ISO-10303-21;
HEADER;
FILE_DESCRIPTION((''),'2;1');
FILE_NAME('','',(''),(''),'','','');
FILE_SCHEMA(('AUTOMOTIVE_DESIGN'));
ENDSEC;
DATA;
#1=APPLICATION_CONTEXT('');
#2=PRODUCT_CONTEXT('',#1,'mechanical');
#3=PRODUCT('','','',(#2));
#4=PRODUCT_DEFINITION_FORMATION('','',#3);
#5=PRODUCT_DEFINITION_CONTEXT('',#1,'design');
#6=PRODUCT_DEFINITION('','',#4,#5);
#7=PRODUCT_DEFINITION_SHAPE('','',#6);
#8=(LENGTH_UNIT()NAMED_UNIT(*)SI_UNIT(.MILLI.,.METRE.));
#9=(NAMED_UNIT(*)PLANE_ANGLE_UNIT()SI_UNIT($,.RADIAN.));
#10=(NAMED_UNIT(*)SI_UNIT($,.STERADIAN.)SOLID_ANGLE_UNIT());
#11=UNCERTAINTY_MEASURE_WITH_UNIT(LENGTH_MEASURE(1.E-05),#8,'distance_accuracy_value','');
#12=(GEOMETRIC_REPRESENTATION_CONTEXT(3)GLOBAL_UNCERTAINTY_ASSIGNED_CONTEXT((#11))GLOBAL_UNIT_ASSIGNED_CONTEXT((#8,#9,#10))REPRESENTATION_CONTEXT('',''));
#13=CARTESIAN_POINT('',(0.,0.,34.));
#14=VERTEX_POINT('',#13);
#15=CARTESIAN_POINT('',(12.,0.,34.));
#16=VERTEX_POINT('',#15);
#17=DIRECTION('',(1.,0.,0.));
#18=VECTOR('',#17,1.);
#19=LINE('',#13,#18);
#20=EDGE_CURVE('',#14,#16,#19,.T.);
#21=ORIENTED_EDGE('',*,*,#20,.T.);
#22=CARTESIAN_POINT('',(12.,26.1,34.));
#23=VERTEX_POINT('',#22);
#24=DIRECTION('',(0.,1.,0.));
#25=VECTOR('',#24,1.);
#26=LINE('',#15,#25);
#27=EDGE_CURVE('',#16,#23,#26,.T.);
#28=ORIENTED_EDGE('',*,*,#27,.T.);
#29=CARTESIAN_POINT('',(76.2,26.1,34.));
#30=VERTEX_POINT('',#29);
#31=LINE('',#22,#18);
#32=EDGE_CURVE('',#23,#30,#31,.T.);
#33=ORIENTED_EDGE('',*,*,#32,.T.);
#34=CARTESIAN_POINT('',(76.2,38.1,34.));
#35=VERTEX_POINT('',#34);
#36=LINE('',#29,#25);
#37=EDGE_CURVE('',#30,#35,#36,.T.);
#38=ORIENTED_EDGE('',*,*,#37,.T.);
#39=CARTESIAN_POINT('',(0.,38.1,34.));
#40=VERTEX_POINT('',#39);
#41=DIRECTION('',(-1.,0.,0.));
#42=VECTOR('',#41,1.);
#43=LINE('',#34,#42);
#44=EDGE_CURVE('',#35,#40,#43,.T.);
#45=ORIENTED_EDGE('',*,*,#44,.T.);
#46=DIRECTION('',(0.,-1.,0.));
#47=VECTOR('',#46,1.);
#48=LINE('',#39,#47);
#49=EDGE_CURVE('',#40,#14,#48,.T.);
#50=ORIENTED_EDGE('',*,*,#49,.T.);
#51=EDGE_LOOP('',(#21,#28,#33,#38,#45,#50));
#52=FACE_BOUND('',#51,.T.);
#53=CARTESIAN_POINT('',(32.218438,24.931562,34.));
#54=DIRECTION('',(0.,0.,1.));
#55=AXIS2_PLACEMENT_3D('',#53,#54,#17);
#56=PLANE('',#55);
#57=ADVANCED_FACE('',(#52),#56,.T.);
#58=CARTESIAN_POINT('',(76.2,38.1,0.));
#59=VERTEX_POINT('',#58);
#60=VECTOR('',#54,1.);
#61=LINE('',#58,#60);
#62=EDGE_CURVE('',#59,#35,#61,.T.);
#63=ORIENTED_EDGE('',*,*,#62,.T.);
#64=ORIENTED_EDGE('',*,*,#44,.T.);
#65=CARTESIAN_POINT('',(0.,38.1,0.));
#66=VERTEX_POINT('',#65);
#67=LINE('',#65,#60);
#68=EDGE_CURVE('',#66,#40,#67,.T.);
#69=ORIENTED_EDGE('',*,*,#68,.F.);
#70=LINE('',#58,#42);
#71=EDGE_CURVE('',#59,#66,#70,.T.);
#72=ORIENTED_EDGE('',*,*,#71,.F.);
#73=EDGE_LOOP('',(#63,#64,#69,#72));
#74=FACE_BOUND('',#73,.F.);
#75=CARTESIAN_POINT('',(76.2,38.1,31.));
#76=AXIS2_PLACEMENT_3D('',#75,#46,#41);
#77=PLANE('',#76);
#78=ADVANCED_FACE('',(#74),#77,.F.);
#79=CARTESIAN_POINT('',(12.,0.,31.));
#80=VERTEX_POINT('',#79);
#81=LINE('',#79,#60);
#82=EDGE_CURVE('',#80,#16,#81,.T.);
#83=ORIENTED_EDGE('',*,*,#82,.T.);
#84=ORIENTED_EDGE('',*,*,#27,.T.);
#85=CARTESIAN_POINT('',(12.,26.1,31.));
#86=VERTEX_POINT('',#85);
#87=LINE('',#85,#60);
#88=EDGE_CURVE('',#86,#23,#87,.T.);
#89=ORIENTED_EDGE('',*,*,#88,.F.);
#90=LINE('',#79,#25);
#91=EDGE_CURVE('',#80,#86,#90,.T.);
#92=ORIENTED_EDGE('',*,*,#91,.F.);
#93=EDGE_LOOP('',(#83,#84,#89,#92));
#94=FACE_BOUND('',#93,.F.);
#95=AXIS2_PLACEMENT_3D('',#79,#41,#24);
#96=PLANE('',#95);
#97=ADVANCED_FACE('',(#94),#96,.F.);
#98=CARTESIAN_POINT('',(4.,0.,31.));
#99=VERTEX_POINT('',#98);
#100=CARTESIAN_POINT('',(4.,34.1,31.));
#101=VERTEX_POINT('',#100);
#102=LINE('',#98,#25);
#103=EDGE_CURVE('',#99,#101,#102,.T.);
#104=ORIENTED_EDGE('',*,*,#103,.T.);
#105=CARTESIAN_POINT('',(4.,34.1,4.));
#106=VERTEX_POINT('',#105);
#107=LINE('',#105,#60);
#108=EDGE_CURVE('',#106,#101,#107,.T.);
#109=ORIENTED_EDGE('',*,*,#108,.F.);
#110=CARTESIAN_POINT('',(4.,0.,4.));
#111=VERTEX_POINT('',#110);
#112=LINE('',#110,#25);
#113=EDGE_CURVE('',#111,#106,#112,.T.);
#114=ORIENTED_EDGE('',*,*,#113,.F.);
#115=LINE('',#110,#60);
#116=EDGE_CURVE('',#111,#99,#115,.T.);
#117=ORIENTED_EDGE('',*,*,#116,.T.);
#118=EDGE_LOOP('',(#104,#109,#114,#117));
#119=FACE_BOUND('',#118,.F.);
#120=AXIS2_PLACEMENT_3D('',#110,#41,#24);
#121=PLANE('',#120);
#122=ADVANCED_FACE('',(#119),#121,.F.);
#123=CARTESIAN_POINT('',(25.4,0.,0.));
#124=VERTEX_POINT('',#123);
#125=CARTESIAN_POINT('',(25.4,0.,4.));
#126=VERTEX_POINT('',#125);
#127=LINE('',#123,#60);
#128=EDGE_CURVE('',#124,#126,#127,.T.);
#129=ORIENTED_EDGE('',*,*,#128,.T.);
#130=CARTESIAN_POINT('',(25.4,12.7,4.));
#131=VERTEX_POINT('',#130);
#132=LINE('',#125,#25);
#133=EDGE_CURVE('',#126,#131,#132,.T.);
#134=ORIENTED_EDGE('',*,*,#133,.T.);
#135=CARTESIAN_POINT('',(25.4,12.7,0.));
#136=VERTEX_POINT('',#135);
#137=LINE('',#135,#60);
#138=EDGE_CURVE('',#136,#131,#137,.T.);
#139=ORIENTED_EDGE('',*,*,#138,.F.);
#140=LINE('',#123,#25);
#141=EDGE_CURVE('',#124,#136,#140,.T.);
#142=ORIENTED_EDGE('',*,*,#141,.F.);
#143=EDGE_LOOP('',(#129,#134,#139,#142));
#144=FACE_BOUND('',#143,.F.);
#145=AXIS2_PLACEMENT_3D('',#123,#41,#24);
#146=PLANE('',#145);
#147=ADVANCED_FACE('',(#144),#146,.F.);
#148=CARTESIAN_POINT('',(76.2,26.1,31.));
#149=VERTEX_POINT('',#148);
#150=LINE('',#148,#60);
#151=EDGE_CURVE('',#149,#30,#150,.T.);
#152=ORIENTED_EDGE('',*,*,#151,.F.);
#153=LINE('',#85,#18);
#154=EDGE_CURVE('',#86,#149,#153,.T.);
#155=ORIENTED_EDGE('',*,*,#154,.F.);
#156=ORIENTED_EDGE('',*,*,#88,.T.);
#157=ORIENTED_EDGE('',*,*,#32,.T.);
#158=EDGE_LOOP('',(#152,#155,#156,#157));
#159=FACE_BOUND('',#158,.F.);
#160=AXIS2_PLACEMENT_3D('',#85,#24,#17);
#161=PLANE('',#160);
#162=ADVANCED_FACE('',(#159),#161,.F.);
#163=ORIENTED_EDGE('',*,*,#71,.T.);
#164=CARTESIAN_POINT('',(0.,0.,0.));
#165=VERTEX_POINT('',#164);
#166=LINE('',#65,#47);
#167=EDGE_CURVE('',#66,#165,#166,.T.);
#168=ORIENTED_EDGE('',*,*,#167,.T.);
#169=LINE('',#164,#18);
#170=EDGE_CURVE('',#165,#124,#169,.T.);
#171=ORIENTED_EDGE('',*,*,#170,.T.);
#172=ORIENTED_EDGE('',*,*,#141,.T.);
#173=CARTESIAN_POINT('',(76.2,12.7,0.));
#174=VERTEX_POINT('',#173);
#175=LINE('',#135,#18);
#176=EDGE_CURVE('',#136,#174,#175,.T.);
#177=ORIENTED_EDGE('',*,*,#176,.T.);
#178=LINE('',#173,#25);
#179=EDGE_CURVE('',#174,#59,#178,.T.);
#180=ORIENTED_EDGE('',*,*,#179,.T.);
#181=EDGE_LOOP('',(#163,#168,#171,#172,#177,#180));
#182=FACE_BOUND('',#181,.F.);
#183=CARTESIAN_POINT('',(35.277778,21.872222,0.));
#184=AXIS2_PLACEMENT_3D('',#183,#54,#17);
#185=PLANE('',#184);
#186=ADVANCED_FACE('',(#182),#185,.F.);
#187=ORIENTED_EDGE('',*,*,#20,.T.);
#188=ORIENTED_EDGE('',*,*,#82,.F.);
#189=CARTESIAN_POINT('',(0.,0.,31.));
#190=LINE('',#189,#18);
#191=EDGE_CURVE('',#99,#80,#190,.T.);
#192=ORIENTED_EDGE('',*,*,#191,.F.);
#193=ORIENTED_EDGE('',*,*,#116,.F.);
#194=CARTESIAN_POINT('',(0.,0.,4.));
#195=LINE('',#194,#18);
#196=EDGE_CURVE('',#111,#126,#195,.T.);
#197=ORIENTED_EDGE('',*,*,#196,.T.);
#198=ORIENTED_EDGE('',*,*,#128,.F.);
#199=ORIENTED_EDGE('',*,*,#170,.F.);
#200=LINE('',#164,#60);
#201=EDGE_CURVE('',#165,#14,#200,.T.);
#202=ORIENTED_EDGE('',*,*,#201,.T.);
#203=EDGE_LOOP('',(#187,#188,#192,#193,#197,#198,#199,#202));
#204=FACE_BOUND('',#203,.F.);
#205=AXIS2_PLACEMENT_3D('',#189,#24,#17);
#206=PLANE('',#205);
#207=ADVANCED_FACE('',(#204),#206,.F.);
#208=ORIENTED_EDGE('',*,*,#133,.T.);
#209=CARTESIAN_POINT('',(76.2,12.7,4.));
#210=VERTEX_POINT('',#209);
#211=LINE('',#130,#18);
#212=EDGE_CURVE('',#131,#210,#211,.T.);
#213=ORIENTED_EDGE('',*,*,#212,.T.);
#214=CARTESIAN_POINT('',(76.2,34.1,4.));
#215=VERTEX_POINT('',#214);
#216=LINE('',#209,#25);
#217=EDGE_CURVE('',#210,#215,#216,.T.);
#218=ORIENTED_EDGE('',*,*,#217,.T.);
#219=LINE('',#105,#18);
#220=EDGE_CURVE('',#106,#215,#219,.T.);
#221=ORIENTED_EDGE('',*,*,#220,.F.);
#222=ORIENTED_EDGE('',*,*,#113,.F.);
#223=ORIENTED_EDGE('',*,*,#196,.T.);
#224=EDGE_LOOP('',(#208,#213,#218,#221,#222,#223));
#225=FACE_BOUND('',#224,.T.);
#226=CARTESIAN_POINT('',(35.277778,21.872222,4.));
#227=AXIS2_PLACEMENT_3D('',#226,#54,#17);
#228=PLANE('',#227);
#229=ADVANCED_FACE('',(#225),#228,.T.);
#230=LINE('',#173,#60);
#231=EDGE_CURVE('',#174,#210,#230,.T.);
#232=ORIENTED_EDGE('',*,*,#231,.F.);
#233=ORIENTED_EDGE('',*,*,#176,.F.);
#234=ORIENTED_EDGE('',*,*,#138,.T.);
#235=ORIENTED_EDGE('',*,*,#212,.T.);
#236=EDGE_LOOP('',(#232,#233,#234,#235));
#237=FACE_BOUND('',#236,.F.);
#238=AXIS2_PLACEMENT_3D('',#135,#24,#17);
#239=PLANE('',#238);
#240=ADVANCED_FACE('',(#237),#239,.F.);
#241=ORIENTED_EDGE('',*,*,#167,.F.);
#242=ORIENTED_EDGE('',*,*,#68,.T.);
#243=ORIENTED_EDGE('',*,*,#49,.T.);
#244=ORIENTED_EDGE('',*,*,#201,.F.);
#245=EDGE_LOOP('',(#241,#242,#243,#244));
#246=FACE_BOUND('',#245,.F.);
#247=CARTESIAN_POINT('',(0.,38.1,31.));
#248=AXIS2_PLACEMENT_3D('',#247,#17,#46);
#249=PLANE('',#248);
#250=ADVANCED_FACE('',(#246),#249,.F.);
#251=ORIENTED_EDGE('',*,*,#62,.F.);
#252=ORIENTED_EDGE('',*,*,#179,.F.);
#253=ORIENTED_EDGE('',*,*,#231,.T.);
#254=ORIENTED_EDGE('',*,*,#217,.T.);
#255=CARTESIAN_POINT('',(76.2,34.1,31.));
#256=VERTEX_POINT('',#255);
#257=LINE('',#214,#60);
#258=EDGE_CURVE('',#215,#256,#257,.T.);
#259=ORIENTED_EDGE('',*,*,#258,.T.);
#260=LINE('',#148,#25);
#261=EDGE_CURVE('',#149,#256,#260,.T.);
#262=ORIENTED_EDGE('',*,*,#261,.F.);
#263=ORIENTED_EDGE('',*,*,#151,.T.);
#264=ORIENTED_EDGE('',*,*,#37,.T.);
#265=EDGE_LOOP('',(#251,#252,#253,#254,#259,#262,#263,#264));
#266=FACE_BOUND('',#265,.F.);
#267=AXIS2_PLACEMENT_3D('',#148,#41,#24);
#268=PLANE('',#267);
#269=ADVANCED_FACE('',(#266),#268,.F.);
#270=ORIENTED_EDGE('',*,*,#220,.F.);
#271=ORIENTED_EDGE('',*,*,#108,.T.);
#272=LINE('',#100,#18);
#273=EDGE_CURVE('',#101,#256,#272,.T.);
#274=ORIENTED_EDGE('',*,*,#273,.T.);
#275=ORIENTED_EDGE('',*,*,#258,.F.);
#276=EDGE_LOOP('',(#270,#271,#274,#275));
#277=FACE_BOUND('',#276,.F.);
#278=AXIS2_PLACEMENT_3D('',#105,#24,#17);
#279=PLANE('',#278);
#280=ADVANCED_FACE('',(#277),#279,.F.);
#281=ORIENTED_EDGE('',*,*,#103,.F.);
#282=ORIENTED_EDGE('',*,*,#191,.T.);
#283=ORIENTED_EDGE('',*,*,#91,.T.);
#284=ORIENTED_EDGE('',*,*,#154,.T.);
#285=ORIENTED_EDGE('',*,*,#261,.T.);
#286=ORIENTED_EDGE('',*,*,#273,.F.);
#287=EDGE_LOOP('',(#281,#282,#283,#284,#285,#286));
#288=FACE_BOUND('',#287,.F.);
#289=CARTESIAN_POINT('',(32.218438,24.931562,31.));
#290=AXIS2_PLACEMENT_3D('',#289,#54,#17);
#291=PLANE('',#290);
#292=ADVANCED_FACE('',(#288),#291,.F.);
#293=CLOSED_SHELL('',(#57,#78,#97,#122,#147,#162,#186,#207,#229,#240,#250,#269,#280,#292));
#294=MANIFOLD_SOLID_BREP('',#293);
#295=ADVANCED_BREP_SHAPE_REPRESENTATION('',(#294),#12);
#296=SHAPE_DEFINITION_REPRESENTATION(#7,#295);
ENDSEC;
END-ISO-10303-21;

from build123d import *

# Parameters (mm, degrees)
F1_DEPTH = 4
F3_DEPTH = 27
F5_DEPTH = 3


with BuildPart() as f1:
    # F0 (on Top) → F1 (new body)
    with BuildSketch(Plane.XY):
        Polygon((0, 38.1), (0, 0), (25.4, 0), (25.4, 12.7), (76.2, 12.7), (76.2, 38.1), align=None)
    extrude(amount=F1_DEPTH)

    # F2 (on face) → F3 (join)
    with BuildSketch(Plane.XY.offset(4)):
        Polygon((76.2, 34.1), (76.2, 38.1), (0, 38.1), (0, 0), (4, 0), (4, 34.1), align=None)
    extrude(amount=F3_DEPTH)

    # F4 (on face) → F5 (join)
    with BuildSketch(Plane.XY.offset(31)):
        Polygon((76.2, 26.1), (76.2, 34.1), (4, 34.1), (4, 0), (12, 0), (12, 26.1), align=None)
        Polygon((76.2, 34.1), (76.2, 38.1), (0, 38.1), (0, 0), (4, 0), (4, 34.1), align=None)
    extrude(amount=F5_DEPTH)


solid = f1.part
